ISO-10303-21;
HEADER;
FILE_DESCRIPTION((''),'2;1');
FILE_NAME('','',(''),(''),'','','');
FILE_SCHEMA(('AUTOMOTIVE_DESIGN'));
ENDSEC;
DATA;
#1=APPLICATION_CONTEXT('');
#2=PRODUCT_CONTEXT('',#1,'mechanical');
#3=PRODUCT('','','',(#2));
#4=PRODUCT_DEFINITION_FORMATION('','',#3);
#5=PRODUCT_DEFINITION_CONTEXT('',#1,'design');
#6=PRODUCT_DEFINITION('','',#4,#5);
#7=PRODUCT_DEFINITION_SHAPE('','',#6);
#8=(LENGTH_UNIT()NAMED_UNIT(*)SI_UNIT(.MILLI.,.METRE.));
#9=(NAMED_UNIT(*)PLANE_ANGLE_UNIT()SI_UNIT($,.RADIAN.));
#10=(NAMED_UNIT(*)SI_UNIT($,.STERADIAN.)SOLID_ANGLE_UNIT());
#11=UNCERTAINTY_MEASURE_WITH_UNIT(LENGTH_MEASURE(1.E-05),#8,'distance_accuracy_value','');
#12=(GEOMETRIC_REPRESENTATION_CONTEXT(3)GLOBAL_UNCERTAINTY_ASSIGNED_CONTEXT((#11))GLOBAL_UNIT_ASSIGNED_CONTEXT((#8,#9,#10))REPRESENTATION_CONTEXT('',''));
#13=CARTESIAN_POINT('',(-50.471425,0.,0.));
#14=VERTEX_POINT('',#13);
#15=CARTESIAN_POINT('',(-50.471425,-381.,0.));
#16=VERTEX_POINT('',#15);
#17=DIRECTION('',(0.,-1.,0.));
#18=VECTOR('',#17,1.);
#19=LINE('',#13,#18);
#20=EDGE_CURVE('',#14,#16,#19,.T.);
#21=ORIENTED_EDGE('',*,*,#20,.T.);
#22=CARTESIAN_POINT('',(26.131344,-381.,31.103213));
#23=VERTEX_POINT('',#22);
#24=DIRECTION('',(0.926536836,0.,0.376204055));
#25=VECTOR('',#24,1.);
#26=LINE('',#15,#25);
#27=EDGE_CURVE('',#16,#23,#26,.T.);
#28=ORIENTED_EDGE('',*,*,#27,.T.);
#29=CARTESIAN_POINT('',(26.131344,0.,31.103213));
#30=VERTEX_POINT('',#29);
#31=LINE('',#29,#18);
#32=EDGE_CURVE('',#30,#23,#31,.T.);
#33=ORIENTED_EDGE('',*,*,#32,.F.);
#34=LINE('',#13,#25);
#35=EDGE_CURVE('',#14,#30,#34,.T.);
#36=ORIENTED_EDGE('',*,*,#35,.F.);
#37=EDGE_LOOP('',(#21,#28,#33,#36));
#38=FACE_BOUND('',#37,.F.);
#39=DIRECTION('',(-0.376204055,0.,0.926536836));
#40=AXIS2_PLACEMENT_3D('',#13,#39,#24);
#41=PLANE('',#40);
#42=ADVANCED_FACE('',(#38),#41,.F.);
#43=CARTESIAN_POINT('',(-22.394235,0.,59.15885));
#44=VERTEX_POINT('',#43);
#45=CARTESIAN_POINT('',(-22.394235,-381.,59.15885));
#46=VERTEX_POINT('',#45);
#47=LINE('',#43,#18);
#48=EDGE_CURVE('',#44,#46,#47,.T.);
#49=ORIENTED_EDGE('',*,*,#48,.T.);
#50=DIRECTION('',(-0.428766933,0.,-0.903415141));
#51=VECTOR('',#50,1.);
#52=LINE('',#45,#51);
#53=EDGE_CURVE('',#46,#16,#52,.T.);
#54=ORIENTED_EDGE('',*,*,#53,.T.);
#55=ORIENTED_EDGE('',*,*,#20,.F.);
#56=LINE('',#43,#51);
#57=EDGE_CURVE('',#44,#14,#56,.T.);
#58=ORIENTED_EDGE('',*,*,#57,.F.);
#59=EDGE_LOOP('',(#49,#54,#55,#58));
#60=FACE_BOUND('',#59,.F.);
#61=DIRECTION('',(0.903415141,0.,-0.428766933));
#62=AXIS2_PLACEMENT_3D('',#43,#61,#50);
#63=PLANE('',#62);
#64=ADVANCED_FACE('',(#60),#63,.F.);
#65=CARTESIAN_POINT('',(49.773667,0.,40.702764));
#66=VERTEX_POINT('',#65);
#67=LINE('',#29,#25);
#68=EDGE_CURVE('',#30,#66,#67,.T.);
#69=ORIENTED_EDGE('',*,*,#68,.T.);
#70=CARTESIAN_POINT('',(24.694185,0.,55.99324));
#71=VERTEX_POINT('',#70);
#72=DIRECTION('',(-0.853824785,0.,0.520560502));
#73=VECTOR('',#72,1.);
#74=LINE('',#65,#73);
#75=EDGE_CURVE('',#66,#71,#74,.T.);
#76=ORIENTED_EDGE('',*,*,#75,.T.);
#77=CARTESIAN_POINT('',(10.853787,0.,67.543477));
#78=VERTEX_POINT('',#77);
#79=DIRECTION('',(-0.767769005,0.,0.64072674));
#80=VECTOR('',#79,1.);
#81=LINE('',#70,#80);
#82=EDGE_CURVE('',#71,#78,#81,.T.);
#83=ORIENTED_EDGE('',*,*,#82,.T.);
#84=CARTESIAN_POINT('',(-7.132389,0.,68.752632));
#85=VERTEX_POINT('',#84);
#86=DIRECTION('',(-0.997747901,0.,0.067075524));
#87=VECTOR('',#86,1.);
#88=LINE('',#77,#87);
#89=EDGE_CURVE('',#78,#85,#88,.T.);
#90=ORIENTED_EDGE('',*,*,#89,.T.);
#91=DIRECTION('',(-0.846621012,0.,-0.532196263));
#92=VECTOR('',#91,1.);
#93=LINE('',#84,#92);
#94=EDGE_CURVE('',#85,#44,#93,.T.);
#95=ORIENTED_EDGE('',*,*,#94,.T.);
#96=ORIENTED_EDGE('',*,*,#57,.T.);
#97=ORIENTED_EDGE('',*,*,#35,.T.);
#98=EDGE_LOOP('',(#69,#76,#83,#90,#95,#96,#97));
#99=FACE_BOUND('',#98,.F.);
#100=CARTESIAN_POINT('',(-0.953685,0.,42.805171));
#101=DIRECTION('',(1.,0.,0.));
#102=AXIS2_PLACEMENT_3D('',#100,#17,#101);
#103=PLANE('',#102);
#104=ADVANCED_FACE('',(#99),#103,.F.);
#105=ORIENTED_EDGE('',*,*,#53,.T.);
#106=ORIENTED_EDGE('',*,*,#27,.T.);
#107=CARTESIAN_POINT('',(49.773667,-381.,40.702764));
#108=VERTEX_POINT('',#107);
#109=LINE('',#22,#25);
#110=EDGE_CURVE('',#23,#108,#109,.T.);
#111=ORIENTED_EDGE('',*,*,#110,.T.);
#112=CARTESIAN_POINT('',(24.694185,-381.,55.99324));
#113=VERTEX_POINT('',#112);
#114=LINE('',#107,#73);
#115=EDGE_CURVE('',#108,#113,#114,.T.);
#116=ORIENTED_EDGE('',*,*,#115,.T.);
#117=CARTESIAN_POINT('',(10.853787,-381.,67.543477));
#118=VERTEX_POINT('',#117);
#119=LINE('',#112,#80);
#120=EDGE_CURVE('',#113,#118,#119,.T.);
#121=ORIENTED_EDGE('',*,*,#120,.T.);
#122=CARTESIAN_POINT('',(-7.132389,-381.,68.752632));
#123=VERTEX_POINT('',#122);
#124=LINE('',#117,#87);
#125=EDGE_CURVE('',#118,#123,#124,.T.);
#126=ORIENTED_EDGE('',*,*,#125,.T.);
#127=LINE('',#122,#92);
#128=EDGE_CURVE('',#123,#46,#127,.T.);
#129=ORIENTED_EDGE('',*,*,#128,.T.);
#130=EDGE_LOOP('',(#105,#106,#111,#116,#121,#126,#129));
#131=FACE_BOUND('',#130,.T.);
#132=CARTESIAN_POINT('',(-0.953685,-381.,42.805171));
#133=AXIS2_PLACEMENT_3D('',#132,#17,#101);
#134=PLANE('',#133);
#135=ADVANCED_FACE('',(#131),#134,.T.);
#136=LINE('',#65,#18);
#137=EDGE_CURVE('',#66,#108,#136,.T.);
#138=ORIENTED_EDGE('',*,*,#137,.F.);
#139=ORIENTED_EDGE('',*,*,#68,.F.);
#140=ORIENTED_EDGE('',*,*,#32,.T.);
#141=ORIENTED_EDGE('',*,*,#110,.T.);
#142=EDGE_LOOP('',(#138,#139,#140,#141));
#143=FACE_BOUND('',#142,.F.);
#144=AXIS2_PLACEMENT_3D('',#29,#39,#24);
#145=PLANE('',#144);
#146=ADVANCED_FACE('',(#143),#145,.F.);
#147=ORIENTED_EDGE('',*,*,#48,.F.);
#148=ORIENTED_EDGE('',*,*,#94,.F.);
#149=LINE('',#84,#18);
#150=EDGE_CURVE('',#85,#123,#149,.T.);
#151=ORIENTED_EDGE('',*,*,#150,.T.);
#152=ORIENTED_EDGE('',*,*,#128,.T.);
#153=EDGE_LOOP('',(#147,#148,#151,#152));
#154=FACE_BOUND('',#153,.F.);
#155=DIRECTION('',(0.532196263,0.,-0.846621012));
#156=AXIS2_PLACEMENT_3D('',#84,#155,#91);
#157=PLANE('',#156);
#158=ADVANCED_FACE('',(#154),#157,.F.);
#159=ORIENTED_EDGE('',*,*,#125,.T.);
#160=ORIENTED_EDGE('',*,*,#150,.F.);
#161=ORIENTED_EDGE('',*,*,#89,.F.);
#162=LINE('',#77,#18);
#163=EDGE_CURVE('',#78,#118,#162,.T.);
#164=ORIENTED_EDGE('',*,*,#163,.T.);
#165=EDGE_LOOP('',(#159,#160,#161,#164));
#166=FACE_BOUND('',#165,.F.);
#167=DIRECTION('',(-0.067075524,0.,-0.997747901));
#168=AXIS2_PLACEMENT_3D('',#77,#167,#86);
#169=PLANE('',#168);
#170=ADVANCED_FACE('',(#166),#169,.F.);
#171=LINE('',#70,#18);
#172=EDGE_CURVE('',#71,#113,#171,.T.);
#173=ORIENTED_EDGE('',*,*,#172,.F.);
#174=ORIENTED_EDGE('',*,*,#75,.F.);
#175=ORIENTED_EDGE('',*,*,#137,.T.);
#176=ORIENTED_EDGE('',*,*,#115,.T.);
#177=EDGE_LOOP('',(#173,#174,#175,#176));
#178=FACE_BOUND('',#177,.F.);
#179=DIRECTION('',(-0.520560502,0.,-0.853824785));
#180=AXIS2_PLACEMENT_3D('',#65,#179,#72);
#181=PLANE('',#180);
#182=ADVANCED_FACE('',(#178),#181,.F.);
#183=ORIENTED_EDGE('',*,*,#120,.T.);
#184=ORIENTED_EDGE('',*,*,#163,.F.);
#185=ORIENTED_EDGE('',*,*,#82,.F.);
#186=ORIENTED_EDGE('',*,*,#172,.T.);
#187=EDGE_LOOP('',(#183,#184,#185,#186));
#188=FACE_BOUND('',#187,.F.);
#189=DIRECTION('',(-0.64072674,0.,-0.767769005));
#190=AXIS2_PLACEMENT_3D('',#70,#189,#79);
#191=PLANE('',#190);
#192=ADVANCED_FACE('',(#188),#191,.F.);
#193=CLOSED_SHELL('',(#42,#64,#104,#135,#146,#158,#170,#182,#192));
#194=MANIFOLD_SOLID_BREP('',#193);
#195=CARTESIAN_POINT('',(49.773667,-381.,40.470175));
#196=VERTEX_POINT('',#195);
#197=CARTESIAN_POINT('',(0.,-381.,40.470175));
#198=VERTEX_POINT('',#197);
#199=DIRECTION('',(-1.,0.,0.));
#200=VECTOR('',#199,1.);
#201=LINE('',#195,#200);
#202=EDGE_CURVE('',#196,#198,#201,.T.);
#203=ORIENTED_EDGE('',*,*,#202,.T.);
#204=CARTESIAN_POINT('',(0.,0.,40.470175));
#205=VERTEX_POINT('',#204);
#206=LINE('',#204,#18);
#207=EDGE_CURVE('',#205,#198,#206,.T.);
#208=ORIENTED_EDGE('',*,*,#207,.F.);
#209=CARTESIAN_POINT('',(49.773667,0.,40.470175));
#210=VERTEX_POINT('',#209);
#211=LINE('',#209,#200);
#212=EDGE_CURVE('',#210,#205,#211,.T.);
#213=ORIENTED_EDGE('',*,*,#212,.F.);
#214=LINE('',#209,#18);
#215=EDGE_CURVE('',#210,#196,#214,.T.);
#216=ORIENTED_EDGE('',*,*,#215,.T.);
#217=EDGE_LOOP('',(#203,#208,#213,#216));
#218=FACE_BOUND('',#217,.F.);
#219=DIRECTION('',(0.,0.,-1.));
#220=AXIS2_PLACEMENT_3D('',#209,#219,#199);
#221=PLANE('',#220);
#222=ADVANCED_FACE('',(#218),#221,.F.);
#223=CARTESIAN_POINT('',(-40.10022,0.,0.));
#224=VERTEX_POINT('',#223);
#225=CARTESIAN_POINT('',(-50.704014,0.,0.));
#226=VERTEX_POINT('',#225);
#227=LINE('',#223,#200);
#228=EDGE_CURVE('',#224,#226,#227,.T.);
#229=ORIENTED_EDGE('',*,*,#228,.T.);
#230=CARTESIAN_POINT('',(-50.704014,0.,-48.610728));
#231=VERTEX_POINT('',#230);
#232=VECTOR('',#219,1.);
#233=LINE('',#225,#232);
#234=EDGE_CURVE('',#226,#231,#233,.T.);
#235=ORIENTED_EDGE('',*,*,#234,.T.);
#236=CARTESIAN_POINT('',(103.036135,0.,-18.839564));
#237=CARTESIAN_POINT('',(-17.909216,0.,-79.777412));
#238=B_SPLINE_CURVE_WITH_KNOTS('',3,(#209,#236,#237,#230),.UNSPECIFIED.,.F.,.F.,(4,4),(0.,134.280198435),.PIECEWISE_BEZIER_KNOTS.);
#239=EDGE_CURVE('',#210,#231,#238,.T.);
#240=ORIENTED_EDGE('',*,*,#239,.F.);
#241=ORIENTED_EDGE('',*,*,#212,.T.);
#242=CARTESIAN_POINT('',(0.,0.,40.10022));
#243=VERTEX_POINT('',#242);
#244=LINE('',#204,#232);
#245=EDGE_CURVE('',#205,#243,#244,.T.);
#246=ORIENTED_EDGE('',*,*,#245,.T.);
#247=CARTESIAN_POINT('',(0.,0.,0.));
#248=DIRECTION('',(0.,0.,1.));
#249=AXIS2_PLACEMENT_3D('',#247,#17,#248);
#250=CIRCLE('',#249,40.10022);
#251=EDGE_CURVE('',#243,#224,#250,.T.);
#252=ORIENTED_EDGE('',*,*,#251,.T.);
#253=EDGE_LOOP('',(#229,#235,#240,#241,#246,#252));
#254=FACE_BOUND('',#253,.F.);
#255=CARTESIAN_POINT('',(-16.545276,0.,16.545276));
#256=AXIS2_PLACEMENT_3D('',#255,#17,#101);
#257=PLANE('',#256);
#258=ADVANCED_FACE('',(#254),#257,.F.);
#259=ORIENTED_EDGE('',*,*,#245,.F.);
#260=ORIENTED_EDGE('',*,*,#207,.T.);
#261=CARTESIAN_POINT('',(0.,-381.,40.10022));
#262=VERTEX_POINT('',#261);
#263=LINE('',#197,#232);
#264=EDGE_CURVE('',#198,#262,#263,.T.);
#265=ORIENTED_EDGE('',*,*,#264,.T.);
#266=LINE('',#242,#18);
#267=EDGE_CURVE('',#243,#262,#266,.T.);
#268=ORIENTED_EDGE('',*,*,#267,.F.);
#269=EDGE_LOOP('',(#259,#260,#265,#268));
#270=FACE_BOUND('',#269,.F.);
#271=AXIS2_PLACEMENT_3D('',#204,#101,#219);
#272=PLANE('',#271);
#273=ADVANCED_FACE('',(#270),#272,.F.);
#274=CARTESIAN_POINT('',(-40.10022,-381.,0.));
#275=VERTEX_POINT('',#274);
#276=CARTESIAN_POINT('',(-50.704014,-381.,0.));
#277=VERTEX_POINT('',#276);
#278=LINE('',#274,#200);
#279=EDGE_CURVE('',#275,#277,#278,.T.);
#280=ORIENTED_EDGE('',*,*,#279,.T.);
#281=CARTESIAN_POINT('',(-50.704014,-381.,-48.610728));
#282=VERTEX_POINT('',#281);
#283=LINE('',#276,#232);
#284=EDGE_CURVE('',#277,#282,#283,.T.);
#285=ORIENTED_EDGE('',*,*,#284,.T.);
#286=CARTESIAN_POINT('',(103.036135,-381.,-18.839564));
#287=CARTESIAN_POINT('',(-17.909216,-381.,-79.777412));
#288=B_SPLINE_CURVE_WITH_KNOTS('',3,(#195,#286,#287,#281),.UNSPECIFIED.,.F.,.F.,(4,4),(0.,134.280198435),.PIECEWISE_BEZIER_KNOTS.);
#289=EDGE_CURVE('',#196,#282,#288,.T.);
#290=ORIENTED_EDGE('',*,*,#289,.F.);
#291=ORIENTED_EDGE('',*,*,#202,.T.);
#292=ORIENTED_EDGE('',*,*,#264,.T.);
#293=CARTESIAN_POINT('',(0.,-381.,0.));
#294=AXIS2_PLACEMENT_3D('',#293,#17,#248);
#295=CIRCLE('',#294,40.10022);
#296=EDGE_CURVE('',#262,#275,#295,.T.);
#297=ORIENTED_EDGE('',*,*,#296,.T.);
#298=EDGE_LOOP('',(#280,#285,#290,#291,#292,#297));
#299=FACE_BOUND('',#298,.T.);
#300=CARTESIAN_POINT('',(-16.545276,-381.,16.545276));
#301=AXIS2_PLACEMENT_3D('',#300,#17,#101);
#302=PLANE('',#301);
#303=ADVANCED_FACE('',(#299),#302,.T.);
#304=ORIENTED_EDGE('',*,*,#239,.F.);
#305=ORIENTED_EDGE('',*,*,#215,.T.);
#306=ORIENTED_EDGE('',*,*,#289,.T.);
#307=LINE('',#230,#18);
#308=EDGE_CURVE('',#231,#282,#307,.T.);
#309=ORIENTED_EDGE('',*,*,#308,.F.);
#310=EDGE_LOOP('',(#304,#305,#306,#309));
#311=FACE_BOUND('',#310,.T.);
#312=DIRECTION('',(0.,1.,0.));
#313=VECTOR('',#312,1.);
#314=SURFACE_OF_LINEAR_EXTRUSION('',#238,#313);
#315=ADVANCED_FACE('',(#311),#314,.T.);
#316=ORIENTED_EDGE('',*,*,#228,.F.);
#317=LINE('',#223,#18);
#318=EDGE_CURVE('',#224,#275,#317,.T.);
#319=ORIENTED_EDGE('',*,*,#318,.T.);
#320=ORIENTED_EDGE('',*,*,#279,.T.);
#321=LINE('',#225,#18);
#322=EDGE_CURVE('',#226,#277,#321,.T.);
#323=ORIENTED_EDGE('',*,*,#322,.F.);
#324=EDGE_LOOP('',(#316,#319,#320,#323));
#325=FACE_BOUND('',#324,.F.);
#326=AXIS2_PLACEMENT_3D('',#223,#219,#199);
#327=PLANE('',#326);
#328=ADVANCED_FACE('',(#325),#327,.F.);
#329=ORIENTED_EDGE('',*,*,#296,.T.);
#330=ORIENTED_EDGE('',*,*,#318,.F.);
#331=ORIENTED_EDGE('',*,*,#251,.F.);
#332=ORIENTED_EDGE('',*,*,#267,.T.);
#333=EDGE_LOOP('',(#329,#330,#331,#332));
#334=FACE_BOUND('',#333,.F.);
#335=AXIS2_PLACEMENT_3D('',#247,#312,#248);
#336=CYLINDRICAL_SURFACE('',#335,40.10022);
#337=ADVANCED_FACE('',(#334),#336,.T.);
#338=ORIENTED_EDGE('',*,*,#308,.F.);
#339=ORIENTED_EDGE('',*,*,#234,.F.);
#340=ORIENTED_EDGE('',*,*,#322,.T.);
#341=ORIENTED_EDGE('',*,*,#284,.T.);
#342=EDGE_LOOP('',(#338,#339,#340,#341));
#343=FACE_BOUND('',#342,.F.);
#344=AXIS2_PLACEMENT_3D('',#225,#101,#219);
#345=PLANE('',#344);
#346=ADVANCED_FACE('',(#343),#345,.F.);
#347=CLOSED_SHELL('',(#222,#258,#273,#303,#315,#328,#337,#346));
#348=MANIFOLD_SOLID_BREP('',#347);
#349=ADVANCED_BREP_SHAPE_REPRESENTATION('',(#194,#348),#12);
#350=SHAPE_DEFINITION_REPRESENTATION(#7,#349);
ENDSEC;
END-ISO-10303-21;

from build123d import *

# Parameters (mm, degrees)
F2_DEPTH = 381


with BuildPart() as f2:
    # F1 (on Front) → F2 (new body)
    with BuildSketch(Plane.XZ):
        Polygon((10.8537866368, 67.543476531), (-7.1323892667, 68.7526318341), (-22.3942348913, 59.1588500819), (-29.1022439395, 42.4266298231), (-24.6941849517, 24.9471104894), (-13.0214908475, 15.2058898892), (26.1313436692, 31.1032126238), (29.1022439395, 38.5137210671), (24.6941849517, 55.9932404008), align=None)
        Polygon((49.7736670077, 40.7027639449), (24.6941849517, 55.9932404008), (29.1022439395, 38.5137210671), (26.1313436692, 31.1032126238), align=None)
        Polygon((-29.1022439395, 42.4266298231), (-22.3942348913, 59.1588500819), (-50.4714250565, 0), (-13.0214908475, 15.2058898892), (-24.6941849517, 24.9471104894), align=None)
    extrude(amount=F2_DEPTH)


with BuildPart() as f2b:
    # F0 (on Front) → F2, piece 2 (new body)
    with BuildSketch(Plane.XZ):
        with BuildLine():
            Line((-40.1002204764, 0), (0, 0))
            Line((0, 0), (0, 40.1002204764))
            ThreePointArc((0, 40.1002204764), (-28.3551378259, 28.3551378259), (-40.1002204764, 0))
        make_face()
        with BuildLine():
            Line((0, 40.1002204764), (0, 0))
            Line((0, 0), (40.1002204764, 0))
            ThreePointArc((40.1002204764, 0), (28.3551378259, 28.3551378259), (0, 40.1002204764))
        make_face()
        with BuildLine():
            Line((49.7736670077, 0), (40.1002204764, 0))
            ThreePointArc((40.1002204764, 0), (28.3551378259, -28.3551378259), (0, -40.1002204764))
            Line((0, -40.1002204764), (0, -48.6107282341))
            Line((0, -48.6107282341), (-50.7040135562, -48.6107282341))
            add(Edge.make_bspline(
                [(49.7736670077, 40.4701754451), (103.0361354351, -18.8395641744), (-17.9092157632, -79.7774121165), (-50.7040135562, -48.6107282341)],
                knots=[0, 0, 0, 0, 134.2801984352, 134.2801984352, 134.2801984352, 134.2801984352], degree=3))
            Line((49.7736670077, 40.4701754451), (49.7736670077, 0))
        make_face()
        with BuildLine():
            Line((0, -40.1002204764), (0, 0))
            Line((0, 0), (-40.1002204764, 0))
            ThreePointArc((-40.1002204764, 0), (-28.3551378259, -28.3551378259), (0, -40.1002204764))
        make_face()
        with BuildLine():
            ThreePointArc((0, -40.1002204764), (-28.3551378259, -28.3551378259), (-40.1002204764, 0))
            Line((-40.1002204764, 0), (-50.7040135562, 0))
            Line((-50.7040135562, 0), (-50.7040135562, -48.6107282341))
            Line((-50.7040135562, -48.6107282341), (0, -48.6107282341))
            Line((0, -48.6107282341), (0, -40.1002204764))
        make_face()
        with BuildLine():
            Line((40.1002204764, 0), (0, 0))
            Line((0, 0), (0, -40.1002204764))
            ThreePointArc((0, -40.1002204764), (28.3551378259, -28.3551378259), (40.1002204764, 0))
        make_face()
        with BuildLine():
            ThreePointArc((0, 40.1002204764), (28.3551378259, 28.3551378259), (40.1002204764, 0))
            Line((40.1002204764, 0), (49.7736670077, 0))
            Line((49.7736670077, 0), (49.7736670077, 40.4701754451))
            Line((49.7736670077, 40.4701754451), (0, 40.4701754451))
            Line((0, 40.4701754451), (0, 40.1002204764))
        make_face()
    extrude(amount=F2_DEPTH)


solid = Compound([f2.part, f2b.part])
